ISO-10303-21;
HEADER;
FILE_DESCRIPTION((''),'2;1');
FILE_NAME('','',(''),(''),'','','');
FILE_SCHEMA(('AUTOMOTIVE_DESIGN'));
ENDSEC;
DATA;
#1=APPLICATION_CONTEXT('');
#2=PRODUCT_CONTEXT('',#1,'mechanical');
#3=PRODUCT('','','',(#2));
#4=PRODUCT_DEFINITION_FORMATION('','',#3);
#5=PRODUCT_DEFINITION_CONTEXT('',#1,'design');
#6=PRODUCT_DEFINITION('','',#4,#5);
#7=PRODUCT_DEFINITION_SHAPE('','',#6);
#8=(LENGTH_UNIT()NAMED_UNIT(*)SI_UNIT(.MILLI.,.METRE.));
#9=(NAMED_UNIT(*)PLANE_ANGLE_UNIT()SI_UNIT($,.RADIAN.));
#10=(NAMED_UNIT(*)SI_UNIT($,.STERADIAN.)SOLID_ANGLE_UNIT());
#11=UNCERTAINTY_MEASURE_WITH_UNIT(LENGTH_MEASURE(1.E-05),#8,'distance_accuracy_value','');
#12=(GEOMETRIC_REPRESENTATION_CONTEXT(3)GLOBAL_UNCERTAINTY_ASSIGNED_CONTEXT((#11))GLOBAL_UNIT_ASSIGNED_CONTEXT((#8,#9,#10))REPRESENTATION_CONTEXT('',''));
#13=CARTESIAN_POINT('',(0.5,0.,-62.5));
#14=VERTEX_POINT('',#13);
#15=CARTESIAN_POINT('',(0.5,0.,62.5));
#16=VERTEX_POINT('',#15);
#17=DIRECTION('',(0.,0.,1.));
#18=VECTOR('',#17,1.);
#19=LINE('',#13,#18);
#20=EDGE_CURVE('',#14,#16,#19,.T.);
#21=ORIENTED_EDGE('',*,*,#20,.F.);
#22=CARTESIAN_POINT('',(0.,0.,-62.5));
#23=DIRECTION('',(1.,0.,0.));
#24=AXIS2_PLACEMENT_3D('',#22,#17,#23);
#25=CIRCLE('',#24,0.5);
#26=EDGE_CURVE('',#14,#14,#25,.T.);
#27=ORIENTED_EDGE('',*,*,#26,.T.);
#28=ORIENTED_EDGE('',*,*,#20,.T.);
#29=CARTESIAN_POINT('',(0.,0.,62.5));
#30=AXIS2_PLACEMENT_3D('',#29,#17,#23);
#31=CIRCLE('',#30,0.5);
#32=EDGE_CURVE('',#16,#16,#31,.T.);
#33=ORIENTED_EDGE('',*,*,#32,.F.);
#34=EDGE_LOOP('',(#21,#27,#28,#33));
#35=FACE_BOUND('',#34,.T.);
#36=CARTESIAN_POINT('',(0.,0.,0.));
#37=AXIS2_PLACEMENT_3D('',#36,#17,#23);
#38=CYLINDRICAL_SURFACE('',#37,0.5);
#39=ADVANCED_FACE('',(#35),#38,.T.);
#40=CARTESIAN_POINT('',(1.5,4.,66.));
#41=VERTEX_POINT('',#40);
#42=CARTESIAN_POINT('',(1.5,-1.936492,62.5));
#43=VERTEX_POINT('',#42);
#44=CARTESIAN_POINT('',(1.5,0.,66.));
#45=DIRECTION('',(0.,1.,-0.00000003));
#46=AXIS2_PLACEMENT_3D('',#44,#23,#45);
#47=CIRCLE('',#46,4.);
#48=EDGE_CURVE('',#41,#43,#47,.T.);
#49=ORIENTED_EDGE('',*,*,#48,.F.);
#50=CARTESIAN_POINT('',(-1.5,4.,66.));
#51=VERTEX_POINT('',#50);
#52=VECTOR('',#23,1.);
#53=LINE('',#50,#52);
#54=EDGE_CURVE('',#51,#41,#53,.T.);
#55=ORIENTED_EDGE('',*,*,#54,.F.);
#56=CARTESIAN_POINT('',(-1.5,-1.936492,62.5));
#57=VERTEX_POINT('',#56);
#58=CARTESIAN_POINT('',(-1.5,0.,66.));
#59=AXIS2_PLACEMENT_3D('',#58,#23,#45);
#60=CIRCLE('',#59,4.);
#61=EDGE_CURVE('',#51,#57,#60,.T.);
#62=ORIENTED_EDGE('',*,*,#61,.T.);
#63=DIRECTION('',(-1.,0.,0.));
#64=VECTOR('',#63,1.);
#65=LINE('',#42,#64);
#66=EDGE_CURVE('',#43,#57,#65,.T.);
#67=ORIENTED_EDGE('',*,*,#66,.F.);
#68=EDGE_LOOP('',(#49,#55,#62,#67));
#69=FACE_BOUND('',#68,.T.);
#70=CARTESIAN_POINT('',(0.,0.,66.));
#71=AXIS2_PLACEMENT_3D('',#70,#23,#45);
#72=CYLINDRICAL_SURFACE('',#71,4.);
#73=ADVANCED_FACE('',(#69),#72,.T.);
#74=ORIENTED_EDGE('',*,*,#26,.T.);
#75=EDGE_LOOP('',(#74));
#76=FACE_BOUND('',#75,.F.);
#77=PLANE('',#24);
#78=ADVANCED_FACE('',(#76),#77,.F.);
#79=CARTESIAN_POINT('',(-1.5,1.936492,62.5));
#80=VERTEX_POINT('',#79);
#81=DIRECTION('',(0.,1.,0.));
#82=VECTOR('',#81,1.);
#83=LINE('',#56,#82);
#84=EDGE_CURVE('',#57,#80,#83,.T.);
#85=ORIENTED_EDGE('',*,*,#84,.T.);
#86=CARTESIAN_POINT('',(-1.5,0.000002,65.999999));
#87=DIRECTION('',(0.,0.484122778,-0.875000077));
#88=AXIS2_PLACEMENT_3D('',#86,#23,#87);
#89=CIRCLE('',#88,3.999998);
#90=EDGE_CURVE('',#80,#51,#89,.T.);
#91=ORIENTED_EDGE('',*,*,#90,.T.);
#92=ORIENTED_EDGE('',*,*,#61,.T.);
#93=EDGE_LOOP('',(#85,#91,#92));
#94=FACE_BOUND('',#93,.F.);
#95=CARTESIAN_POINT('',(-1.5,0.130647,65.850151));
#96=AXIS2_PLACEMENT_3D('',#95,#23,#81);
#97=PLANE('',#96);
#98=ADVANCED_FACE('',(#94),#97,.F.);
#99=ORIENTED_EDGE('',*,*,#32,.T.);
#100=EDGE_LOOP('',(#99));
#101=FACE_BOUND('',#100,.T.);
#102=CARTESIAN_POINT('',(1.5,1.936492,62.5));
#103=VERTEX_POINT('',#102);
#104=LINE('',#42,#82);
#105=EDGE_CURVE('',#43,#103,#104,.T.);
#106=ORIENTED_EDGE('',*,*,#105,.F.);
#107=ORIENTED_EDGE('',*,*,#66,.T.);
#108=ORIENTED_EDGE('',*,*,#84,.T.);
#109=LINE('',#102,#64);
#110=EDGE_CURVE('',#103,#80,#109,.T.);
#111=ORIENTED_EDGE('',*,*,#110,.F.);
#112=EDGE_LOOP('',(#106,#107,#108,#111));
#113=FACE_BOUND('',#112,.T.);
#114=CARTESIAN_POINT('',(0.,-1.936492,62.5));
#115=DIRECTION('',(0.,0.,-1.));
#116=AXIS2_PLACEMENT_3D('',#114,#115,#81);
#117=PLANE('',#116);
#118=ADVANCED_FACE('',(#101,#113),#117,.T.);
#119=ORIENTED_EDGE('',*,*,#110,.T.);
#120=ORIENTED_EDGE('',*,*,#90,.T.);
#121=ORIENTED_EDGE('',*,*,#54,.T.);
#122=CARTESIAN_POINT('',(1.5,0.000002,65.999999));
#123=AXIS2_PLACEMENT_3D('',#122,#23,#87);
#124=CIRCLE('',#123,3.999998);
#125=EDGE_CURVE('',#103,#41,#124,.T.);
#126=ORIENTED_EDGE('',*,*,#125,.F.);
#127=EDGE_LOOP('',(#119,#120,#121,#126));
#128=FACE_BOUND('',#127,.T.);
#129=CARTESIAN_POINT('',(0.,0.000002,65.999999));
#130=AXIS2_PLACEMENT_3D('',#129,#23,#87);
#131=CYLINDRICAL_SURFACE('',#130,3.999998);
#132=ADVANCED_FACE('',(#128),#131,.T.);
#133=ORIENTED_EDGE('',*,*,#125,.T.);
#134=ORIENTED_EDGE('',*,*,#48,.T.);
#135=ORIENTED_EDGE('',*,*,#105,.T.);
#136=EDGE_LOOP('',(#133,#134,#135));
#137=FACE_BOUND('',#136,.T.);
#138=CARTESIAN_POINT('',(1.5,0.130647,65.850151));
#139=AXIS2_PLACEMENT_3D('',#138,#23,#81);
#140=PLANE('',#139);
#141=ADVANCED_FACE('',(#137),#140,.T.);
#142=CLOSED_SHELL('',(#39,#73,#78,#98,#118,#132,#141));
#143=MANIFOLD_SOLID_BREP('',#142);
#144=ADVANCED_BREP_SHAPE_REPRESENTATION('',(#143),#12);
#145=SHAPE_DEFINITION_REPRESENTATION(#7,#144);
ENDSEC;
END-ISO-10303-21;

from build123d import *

# Parameters (mm, degrees)
F0_R     = 0.5
F1_DEPTH = 62.5
F3_DEPTH = 1.5


with BuildPart() as f1:
    # F0 (on Top) → F1 (new body, symmetric)
    with BuildSketch(Plane.XY):
        Circle(F0_R)
    extrude(amount=F1_DEPTH, both=True)

    # F2 (on Right) → F3 (join, symmetric)
    with BuildSketch(Plane.YZ):
        with BuildLine():
            ThreePointArc((1.936492, 62.5), (3.44572, 63.968494), (4, 66))
            ThreePointArc((4, 66), (-2.031506, 69.44572), (-1.936492, 62.5))
            Line((-1.936492, 62.5), (1.936492, 62.5))
        make_face()
    extrude(amount=F3_DEPTH, both=True)


solid = f1.part
